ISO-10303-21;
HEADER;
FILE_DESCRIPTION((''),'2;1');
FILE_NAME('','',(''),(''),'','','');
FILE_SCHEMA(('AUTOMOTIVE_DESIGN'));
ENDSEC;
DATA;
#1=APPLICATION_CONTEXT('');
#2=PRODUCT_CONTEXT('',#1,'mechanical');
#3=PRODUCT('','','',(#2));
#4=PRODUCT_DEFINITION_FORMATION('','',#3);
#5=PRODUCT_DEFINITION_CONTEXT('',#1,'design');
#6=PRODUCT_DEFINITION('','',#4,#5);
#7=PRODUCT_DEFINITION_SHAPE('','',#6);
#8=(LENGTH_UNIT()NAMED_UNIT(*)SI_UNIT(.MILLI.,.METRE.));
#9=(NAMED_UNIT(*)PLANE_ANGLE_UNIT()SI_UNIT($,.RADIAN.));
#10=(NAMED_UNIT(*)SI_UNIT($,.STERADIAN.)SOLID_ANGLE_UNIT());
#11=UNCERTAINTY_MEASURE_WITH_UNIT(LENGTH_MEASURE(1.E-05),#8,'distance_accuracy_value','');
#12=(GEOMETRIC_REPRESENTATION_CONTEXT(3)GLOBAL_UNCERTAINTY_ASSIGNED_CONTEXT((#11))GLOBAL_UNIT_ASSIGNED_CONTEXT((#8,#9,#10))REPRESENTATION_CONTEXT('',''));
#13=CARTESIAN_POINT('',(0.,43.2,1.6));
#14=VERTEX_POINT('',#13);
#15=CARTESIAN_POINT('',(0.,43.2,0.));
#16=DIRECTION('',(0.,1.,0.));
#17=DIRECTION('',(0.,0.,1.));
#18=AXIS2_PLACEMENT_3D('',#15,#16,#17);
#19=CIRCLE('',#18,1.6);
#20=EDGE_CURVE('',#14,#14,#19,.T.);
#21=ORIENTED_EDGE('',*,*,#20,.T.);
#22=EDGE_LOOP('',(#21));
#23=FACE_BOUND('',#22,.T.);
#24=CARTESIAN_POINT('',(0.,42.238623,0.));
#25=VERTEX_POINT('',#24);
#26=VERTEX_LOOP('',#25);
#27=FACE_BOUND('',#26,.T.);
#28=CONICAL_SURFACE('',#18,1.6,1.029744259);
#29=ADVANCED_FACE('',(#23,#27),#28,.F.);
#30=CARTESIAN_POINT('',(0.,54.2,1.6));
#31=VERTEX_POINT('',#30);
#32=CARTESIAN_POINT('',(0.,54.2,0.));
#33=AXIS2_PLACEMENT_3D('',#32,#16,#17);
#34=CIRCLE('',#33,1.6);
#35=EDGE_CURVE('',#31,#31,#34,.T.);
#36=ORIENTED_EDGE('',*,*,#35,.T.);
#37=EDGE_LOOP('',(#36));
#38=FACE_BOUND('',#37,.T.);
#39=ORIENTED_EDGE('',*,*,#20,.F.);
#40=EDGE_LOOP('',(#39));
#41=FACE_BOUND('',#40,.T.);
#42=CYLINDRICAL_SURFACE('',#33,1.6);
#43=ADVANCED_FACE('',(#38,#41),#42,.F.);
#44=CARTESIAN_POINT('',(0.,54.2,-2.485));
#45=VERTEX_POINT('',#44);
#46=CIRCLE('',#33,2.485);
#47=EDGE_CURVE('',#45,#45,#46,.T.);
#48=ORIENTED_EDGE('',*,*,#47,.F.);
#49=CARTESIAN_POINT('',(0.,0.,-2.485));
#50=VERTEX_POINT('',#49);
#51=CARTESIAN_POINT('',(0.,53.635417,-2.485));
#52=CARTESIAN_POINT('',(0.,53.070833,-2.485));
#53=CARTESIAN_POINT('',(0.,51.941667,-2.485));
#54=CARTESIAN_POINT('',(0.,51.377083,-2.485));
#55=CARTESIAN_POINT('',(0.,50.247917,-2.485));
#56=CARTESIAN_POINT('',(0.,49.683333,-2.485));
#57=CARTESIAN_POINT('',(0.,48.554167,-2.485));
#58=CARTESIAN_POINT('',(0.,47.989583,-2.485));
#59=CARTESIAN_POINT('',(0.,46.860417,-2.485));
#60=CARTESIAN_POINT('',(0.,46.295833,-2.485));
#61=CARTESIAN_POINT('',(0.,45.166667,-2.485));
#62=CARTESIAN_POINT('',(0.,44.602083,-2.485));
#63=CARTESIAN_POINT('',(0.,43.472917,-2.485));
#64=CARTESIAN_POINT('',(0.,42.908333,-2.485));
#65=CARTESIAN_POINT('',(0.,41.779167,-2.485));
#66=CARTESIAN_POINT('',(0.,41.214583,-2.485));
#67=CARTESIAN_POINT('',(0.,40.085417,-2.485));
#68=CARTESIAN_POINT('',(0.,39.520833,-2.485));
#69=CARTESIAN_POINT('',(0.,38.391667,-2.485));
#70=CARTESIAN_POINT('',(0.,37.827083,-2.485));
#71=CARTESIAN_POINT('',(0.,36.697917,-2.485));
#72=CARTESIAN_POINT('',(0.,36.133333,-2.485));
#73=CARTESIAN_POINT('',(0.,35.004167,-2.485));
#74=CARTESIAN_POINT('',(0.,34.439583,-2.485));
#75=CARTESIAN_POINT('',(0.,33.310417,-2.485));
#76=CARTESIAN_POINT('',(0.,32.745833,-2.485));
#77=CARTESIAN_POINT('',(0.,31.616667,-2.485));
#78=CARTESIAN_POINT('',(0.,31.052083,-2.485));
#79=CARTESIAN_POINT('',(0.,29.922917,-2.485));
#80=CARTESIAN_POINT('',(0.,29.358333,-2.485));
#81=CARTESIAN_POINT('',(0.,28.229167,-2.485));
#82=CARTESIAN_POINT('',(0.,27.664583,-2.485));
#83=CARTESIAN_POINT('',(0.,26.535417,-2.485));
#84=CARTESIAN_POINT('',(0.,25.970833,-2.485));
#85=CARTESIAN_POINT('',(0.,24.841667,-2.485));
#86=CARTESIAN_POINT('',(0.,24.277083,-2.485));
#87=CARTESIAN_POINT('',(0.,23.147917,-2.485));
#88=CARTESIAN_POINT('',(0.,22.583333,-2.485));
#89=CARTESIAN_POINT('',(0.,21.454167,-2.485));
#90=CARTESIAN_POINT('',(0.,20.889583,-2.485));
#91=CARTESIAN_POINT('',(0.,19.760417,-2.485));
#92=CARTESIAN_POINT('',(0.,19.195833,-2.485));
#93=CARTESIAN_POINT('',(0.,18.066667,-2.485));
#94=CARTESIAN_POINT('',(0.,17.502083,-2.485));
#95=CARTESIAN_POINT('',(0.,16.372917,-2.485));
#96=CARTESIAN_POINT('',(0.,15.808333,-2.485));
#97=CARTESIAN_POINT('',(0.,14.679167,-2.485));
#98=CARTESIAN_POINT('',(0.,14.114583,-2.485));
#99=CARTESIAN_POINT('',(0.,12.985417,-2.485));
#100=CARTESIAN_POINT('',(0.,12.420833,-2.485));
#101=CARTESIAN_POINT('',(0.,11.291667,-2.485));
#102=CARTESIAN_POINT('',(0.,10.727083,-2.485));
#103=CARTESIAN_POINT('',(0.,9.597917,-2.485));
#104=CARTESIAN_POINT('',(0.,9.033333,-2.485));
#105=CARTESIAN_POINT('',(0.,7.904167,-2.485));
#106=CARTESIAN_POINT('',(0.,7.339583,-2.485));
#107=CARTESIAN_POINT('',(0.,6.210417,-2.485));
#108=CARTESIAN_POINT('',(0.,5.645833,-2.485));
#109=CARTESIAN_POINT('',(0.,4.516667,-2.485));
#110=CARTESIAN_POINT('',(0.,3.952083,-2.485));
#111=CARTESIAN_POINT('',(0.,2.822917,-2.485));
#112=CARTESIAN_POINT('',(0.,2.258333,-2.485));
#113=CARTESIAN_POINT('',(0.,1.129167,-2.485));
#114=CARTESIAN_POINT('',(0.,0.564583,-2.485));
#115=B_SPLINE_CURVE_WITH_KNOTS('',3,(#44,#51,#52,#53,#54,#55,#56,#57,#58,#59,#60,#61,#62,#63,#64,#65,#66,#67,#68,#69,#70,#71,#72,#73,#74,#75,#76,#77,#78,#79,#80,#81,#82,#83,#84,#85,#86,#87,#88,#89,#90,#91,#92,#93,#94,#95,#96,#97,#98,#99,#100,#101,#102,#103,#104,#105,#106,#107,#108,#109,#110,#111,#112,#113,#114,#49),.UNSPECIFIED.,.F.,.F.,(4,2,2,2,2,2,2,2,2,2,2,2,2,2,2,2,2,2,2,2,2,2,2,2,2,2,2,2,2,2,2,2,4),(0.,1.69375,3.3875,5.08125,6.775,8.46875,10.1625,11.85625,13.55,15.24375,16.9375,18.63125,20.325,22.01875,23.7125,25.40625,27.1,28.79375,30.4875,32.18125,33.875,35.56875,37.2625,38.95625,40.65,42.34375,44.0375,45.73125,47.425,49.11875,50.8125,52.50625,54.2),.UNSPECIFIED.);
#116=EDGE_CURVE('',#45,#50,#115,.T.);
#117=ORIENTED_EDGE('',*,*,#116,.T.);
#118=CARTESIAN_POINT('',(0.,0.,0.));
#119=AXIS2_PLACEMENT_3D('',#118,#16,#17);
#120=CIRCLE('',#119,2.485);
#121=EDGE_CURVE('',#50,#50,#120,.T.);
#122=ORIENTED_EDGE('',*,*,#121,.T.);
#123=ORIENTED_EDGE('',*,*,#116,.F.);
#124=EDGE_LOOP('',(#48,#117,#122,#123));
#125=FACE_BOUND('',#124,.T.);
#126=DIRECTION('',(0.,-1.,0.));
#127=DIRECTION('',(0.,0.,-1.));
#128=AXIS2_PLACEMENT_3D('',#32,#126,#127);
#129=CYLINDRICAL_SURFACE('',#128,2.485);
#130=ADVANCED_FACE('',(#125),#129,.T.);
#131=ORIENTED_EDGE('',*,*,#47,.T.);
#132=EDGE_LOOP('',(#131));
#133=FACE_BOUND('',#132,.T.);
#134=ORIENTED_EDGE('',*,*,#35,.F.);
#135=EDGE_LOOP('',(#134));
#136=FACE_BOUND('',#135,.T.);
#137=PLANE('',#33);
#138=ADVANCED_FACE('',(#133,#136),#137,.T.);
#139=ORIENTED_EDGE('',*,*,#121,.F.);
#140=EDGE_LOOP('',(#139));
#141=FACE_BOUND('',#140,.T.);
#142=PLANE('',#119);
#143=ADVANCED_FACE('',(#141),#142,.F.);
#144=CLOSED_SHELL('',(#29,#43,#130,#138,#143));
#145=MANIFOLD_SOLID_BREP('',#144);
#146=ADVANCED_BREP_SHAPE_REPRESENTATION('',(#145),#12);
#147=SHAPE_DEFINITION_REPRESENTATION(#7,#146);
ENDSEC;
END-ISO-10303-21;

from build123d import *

# Parameters (mm, degrees)
SCHIZZO1_R                   = 2.485
ESTRUSIONE_ESTRUSIONE1_DEPTH = 54.2
FORO_PER_VITE_M3_1_D         = 3.2
FORO_PER_VITE_M3_1_DEPTH     = 11
FORO_PER_VITE_M3_1_TIP       = 0.96137699


with BuildPart() as part:
    # Schizzo1 → Estrusione-Estrusione1 (new body)
    with BuildSketch(Plane(origin=(0, 0, 0), x_dir=(1, 0, 0), z_dir=(0, 1, 0))):
        with Locations(Location((0, 0, 0), (0, 0, 90))):
            Circle(SCHIZZO1_R)
    extrude(amount=ESTRUSIONE_ESTRUSIONE1_DEPTH)

    # Foro per Vite M3-1
    with Locations(Plane(origin=(0, 54.2, 0), x_dir=(1, 0, 0), z_dir=(0, 1, 0))):
        with Locations((0, 0)):
            Hole(FORO_PER_VITE_M3_1_D / 2, depth=FORO_PER_VITE_M3_1_DEPTH)
            with Locations((0, 0, -(FORO_PER_VITE_M3_1_DEPTH + FORO_PER_VITE_M3_1_TIP / 2))):  # 118° drill point
                Cone(0, FORO_PER_VITE_M3_1_D / 2, FORO_PER_VITE_M3_1_TIP, mode=Mode.SUBTRACT)


solid = part.part
